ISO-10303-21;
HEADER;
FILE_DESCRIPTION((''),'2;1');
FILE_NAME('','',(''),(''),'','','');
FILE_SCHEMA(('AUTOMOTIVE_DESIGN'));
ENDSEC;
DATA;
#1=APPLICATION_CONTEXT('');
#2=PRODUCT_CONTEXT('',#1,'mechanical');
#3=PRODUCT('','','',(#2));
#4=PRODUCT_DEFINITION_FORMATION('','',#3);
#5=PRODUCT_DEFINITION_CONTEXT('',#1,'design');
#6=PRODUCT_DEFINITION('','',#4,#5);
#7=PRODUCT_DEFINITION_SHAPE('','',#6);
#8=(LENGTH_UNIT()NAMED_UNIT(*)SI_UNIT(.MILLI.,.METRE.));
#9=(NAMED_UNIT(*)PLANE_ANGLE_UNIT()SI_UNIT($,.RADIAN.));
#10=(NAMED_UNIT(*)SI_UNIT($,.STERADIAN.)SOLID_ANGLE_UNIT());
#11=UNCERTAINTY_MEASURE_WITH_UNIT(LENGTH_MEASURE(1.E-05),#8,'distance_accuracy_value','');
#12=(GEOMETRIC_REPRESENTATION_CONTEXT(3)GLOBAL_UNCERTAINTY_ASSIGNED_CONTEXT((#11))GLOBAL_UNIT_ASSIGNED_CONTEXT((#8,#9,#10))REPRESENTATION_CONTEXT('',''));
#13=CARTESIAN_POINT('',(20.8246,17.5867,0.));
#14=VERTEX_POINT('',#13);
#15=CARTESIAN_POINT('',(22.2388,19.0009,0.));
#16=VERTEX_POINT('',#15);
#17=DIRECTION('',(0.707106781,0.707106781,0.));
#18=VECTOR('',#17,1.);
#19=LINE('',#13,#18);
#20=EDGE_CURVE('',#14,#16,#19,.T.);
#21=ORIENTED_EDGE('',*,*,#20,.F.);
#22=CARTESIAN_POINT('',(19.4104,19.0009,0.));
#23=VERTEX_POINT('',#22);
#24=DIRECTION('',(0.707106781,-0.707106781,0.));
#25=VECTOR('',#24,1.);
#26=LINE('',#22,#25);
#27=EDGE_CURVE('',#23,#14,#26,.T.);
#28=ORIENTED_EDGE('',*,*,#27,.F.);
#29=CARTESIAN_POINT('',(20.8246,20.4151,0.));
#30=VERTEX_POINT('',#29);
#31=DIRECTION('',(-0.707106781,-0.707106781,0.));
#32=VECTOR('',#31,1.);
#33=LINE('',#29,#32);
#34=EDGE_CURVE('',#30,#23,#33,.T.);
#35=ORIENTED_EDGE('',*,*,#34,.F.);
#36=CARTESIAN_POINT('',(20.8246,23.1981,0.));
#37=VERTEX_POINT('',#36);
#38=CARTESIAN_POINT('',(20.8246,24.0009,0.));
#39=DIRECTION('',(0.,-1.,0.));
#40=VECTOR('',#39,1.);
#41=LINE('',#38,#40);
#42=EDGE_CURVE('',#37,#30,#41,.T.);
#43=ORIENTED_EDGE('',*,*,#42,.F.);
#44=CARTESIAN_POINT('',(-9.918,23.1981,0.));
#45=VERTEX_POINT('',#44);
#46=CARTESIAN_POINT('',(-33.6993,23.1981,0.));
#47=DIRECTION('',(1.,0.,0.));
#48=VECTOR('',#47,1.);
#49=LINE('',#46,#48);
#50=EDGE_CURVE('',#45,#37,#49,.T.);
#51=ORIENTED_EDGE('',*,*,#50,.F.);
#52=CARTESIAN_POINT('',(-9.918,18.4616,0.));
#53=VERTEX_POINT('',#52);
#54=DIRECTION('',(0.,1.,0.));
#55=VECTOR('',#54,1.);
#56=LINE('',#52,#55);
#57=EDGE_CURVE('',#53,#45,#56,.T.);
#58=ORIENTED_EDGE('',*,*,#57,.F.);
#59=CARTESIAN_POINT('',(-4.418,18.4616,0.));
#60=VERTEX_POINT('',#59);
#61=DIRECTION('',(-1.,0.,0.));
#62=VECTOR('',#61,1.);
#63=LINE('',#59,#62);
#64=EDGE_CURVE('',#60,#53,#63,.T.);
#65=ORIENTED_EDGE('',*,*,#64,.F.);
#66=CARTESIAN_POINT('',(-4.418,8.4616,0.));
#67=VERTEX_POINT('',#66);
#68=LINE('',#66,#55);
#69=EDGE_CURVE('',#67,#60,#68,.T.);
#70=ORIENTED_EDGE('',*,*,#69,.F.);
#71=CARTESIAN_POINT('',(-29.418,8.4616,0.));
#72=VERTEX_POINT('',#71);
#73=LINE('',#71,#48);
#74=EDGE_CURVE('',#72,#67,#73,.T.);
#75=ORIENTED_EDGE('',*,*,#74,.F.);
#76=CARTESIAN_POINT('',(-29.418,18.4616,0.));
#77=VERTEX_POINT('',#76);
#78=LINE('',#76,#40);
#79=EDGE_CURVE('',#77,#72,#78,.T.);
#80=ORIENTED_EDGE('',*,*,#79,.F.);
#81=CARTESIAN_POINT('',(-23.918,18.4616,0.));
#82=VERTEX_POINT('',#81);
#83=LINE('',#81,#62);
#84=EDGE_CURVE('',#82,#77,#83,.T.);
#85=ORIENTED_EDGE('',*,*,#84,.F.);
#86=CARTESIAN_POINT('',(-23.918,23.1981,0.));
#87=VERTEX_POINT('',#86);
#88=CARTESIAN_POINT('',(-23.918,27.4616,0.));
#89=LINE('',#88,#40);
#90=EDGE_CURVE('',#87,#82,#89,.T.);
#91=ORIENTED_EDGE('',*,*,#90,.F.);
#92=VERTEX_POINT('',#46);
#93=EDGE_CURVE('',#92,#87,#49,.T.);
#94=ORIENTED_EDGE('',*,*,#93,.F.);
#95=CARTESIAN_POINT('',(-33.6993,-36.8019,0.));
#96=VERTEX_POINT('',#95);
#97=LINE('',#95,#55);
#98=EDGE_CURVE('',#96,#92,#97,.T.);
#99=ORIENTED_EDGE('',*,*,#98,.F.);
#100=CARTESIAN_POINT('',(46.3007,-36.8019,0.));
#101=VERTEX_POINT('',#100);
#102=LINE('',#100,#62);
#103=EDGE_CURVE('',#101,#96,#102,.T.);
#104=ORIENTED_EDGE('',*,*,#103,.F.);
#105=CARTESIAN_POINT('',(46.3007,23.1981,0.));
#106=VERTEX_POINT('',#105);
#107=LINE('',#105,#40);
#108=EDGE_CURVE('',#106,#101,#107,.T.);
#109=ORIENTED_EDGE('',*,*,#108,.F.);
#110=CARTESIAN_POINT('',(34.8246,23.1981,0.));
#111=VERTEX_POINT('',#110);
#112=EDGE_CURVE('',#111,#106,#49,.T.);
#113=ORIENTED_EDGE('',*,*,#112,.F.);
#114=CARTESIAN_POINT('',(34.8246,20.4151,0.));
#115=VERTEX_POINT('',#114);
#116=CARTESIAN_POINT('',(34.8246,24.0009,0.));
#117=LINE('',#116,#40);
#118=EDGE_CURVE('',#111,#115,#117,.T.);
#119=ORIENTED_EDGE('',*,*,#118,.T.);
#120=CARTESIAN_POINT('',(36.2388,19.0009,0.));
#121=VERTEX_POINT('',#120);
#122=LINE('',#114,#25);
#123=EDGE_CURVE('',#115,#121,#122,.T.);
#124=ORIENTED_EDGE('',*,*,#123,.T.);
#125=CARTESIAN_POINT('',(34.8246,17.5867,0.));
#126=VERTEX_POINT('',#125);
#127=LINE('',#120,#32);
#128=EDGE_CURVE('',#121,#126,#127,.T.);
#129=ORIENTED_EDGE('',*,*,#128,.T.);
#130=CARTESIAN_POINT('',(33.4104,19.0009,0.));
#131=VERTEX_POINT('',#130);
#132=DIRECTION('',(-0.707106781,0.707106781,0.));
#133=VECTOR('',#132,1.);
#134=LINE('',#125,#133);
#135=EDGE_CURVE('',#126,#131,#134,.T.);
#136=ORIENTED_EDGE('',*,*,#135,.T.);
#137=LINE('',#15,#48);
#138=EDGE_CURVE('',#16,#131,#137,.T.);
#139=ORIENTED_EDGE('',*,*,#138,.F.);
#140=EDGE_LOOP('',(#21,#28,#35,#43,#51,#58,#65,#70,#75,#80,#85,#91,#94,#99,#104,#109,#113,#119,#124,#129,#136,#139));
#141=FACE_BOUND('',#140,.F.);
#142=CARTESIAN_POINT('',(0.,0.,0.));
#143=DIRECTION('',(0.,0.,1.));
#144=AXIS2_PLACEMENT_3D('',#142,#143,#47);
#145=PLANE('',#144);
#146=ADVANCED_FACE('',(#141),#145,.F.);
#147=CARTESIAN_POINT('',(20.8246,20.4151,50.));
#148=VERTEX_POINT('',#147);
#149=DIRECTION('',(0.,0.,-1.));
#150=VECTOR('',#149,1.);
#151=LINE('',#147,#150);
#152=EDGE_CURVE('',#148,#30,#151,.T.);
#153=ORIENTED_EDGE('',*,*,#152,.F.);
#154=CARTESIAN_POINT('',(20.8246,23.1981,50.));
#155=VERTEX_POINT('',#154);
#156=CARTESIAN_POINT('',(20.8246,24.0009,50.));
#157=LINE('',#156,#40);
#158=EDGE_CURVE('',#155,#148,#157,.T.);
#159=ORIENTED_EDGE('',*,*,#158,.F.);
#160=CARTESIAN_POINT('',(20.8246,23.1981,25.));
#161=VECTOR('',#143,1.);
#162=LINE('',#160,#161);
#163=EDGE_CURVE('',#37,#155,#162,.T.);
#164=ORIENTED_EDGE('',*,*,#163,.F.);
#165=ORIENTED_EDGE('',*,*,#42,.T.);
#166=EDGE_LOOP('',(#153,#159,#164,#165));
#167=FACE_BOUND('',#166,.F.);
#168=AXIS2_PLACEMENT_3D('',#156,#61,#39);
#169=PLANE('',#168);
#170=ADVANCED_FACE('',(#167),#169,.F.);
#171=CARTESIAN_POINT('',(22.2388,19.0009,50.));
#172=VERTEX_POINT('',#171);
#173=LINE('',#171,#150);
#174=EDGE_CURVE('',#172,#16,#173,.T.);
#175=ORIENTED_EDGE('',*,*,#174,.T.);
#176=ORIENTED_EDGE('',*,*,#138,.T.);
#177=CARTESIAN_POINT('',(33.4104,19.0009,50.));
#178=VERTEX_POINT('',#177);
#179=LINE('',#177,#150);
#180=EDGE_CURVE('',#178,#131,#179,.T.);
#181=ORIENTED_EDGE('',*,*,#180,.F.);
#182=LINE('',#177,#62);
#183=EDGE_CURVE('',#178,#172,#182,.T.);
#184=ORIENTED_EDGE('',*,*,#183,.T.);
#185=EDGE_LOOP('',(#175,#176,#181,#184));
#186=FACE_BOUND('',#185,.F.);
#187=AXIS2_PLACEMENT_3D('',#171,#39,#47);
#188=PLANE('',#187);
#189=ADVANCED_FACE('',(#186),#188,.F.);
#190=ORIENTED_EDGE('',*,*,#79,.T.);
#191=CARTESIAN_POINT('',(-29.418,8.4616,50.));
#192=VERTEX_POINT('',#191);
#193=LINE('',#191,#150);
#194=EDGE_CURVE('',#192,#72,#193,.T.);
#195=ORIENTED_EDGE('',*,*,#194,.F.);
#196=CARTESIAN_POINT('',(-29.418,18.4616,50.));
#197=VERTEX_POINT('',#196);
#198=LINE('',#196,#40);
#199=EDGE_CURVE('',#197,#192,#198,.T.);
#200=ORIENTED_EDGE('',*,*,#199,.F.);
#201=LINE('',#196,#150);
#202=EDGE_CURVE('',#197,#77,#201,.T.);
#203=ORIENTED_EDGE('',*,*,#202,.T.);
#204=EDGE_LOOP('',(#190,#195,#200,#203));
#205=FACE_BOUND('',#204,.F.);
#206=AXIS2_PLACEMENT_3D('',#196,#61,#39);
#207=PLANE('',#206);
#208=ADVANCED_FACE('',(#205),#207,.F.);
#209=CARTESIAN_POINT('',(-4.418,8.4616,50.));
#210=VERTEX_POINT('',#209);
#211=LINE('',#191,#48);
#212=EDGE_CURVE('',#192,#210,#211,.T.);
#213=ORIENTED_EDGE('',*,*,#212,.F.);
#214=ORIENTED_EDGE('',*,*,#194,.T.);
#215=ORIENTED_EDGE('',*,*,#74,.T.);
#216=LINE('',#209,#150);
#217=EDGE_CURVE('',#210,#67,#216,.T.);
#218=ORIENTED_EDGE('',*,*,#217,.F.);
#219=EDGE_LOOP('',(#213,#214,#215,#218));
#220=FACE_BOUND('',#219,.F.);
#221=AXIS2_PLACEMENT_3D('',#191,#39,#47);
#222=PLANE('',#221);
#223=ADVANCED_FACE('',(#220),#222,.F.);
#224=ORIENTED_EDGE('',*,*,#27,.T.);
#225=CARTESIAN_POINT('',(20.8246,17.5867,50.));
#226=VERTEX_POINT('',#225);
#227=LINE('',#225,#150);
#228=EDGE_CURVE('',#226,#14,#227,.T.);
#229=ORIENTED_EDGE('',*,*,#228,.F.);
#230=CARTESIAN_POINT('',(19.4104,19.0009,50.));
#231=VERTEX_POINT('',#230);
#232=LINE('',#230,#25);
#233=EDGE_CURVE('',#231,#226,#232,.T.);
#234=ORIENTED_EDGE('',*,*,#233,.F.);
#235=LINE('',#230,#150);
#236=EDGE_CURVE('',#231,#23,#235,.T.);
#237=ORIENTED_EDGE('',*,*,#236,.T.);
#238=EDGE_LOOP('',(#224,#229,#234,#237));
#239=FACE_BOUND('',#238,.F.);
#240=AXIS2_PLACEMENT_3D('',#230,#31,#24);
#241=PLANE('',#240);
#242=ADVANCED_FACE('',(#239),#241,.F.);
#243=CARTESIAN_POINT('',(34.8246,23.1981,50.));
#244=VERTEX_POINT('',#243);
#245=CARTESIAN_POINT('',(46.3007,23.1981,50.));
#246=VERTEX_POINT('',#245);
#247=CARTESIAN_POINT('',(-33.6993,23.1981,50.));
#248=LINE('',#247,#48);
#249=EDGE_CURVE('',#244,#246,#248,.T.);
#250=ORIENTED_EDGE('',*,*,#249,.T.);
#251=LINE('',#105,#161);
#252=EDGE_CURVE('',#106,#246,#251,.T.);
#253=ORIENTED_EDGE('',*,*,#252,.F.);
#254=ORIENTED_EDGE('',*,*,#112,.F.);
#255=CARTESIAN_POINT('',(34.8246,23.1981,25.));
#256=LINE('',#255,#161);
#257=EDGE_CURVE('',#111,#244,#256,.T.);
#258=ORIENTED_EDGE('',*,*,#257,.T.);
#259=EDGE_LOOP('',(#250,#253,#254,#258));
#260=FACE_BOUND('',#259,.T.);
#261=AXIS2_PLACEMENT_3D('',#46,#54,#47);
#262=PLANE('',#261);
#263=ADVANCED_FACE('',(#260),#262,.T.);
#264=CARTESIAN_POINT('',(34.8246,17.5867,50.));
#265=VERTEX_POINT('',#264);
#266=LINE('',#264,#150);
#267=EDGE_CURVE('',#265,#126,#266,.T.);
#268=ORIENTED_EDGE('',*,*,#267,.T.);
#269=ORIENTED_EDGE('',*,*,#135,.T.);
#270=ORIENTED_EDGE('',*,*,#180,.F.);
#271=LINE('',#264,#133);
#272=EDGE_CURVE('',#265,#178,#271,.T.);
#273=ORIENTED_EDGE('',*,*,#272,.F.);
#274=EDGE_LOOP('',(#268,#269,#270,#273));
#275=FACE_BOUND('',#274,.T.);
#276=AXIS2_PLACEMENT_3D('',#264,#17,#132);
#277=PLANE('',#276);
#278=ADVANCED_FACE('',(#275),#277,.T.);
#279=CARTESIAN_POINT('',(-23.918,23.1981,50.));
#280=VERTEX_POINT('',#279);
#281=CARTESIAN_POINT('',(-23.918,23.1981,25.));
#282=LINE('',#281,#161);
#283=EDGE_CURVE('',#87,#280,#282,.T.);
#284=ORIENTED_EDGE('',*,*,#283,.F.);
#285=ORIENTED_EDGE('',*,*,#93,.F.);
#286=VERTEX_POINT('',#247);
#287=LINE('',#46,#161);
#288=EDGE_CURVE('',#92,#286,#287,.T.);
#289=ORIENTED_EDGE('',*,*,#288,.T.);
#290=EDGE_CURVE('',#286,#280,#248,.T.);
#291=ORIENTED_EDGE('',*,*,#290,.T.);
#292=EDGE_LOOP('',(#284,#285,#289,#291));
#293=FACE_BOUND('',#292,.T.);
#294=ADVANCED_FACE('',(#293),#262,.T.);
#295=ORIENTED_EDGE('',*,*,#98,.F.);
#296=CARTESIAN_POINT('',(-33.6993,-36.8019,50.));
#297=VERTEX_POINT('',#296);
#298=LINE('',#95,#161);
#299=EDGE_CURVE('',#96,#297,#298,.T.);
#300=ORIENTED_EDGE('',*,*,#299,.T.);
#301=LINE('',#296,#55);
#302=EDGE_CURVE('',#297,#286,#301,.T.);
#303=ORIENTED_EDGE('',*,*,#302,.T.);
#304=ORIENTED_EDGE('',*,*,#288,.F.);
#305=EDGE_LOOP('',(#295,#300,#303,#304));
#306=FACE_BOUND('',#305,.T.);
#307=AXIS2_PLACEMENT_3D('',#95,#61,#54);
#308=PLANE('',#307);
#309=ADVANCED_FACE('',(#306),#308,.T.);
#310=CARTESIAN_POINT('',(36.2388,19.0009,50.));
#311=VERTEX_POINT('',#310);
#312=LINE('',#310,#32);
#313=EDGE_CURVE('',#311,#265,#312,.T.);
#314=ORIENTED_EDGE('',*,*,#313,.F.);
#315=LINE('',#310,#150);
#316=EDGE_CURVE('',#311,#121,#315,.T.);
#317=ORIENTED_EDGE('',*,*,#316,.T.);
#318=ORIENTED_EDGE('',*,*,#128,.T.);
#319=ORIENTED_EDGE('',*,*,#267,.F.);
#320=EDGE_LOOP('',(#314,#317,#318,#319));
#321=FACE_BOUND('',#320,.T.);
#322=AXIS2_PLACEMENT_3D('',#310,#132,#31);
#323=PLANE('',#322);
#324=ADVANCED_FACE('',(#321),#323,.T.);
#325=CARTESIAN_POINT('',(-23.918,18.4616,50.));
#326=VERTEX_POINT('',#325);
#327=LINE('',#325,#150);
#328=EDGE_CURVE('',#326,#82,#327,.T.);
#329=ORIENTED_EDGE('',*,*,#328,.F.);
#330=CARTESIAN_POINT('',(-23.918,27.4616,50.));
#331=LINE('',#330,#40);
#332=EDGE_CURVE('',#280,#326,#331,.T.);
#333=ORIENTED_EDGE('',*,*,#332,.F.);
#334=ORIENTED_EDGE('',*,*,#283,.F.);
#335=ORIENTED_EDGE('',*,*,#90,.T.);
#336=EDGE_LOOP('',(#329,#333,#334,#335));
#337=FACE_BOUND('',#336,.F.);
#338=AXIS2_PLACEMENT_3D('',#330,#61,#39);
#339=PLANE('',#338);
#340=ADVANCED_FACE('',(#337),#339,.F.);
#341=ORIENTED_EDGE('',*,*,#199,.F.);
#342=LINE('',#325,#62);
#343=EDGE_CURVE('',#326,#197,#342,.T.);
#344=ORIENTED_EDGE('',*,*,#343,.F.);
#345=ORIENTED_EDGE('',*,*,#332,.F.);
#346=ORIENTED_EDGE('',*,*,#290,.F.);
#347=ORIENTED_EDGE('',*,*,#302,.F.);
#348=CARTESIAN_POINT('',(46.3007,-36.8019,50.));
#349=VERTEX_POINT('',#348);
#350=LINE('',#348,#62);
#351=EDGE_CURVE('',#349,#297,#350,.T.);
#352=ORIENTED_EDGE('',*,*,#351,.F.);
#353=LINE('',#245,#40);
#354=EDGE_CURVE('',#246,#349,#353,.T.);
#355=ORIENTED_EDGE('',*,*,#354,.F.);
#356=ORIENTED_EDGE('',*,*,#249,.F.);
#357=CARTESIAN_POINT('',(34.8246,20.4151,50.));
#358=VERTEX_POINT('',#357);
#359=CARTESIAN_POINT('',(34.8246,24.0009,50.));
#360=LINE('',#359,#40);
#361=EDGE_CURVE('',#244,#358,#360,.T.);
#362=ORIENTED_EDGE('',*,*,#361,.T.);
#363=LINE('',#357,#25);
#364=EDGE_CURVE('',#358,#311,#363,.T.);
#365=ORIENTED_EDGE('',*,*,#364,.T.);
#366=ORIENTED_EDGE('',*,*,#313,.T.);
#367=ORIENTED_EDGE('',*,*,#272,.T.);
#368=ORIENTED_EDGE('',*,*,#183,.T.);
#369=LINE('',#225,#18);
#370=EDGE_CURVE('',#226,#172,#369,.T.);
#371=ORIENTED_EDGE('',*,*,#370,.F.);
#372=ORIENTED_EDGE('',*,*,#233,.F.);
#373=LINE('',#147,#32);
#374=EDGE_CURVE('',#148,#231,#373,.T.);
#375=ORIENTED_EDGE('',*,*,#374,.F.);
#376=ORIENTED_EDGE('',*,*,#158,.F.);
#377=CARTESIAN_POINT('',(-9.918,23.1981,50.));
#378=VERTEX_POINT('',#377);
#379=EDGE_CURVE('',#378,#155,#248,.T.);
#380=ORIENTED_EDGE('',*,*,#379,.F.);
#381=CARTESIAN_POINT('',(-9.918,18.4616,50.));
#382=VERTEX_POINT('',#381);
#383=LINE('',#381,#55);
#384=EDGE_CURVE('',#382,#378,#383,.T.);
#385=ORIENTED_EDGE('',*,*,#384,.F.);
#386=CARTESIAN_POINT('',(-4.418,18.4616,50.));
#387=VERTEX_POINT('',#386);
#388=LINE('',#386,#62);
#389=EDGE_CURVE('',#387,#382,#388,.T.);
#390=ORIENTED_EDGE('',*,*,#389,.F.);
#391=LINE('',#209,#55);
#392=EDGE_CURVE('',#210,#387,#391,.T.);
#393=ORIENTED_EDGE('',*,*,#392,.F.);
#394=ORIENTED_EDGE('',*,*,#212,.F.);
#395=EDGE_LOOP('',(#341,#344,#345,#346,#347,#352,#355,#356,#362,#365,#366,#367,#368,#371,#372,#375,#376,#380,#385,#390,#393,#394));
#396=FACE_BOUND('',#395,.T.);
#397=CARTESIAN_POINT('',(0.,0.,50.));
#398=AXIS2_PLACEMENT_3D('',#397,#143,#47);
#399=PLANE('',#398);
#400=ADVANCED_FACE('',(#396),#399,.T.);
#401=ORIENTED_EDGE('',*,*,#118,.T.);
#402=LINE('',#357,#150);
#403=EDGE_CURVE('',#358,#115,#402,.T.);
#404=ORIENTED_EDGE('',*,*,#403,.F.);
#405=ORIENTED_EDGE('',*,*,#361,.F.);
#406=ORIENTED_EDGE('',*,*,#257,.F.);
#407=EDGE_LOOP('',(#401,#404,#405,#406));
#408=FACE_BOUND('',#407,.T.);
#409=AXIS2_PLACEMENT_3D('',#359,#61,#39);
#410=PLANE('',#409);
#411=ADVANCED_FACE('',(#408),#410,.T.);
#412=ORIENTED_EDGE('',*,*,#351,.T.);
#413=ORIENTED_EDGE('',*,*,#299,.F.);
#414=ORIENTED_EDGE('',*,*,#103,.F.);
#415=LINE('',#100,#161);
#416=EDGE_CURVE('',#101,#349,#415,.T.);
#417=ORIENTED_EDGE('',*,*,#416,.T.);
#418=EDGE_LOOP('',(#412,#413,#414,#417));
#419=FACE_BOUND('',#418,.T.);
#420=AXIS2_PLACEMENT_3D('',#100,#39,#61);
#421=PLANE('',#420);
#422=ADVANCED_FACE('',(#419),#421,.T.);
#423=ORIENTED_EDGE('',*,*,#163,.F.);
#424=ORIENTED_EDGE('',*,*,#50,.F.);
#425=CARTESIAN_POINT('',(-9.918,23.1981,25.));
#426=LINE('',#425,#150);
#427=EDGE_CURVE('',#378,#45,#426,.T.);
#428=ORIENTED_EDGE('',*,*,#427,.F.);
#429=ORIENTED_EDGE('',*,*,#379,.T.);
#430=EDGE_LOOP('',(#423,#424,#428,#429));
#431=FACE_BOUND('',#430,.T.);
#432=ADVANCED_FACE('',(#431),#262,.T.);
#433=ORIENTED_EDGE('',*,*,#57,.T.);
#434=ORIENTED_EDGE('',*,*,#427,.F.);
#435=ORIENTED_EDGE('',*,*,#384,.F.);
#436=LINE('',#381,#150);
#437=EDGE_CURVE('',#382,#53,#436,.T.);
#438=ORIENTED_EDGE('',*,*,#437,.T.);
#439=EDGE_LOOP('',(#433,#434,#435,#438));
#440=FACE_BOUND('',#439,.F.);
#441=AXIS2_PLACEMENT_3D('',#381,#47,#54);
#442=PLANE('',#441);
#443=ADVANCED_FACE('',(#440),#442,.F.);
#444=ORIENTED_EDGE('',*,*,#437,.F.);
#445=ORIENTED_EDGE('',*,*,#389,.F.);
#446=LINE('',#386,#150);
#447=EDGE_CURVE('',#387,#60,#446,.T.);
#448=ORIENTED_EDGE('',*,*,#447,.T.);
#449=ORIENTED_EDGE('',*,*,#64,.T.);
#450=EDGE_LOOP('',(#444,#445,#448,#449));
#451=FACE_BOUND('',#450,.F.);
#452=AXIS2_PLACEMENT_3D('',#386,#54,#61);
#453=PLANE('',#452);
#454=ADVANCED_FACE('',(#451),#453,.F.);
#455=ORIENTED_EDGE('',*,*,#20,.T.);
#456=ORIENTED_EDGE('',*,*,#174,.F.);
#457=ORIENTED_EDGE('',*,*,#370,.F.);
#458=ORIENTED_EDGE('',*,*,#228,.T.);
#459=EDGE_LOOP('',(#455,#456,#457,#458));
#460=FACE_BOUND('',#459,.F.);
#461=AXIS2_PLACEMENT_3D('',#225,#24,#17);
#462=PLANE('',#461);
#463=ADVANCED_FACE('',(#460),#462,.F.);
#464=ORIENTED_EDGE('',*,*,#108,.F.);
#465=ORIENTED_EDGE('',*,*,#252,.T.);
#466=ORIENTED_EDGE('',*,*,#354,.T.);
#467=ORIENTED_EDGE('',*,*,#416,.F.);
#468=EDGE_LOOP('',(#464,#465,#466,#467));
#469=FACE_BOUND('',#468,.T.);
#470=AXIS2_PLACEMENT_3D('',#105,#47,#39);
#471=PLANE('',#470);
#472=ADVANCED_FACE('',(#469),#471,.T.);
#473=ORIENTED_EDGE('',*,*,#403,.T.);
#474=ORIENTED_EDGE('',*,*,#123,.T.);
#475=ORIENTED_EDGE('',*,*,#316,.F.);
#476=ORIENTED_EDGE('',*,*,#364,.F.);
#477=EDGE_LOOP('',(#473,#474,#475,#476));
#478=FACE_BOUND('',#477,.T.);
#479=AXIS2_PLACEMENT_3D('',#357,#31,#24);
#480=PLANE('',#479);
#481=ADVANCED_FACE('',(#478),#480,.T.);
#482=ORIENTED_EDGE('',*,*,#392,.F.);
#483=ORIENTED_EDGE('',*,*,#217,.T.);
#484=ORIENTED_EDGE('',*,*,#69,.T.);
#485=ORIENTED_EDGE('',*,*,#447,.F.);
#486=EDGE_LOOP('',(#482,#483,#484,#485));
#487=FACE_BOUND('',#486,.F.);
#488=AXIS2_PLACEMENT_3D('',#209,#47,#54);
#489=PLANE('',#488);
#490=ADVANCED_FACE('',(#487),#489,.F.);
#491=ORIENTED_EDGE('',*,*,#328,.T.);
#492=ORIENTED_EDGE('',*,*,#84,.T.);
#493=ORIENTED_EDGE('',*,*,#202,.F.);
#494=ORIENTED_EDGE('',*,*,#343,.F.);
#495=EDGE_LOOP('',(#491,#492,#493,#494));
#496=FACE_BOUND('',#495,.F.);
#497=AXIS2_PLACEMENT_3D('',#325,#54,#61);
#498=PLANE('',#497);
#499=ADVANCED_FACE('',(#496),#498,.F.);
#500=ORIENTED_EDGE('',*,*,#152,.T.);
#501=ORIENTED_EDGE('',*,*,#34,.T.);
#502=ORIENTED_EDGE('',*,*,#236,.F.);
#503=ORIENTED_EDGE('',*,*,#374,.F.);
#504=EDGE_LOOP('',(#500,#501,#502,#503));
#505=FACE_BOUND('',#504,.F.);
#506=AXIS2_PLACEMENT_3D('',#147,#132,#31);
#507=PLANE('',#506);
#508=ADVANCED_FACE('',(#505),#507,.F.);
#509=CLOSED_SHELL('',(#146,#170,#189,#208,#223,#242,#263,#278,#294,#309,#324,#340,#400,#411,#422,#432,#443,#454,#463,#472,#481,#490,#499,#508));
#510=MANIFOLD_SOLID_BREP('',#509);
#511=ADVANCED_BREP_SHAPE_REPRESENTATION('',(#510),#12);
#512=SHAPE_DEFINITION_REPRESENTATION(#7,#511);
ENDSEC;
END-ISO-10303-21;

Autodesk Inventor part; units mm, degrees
ref_plane "YZ Plane" through (0, 0, 0) normal (1, 0, 0) x (0, 1, 0)
ref_plane "XZ Plane" through (0, 0, 0) normal (0, 1, 0) x (-1, 0, 0)
ref_plane "XY Plane" through (0, 0, 0) normal (0, 0, 1) x (1, 0, 0)
sketch "Sketch1" plane through (0, 0, 0) normal (0, 0, 1) x (1, 0, 0)
  line L0 (-33.6993, 23.1981) -> (46.3007, 23.1981)
  line L1 (46.3007, 23.1981) -> (46.3007, -36.8019)
  line L2 (46.3007, -36.8019) -> (-33.6993, -36.8019)
  line L3 (-33.6993, -36.8019) -> (-33.6993, 23.1981)
  point P0 (0, 0)
  dimension "d0" = 80
  dimension "d1" = 60
extrude "Extrusion1" add sketch "Sketch1" along normal blind 50
sketch "Sketch2" plane through (0, 0, 50) normal (0, 0, 1) x (1, 0, 0)
  line L0 (-23.918, 27.4616) -> (-23.918, 18.4616)
  line L1 (-23.918, 18.4616) -> (-29.418, 18.4616)
  line L2 (-29.418, 18.4616) -> (-29.418, 8.4616)
  line L3 (-29.418, 8.4616) -> (-4.418, 8.4616)
  line L4 (-4.418, 8.4616) -> (-4.418, 18.4616)
  line L5 (-4.418, 18.4616) -> (-9.918, 18.4616)
  line L6 (-9.918, 18.4616) -> (-9.918, 27.4616)
  line L7 (-9.918, 27.4616) -> (-23.918, 27.4616)
  point P0 (0, 0)
  point P1 (-16.918, 27.4616)
  dimension "d4" = 14
  dimension "d5" = 10
  dimension "d6" = 25
  dimension "d7" = 9
  dimension "d8" = 7
  dimension "d9" = 12.5
extrude "Extrusion2" cut sketch "Sketch2" against normal blind 50
sketch "Sketch3" plane through (0, 0, 50) normal (0, 0, 1) x (1, 0, 0)
  line L0 (27.8246, 24.0009) -> (34.8246, 24.0009)
  line L1 (34.8246, 24.0009) -> (34.8246, 20.4151)
  line L2 (34.8246, 20.4151) -> (36.2388, 19.0009)
  line L3 (36.2388, 19.0009) -> (34.8246, 17.5867)
  line L4 (34.8246, 17.5867) -> (33.4104, 19.0009)
  line L5 (33.4104, 19.0009) -> (27.8246, 19.0009)
  line L6 (27.8246, 24.0009) -> (27.8246, 19.0009) construction
  line L7 (27.8246, 24.0009) -> (20.8246, 24.0009)
  line L8 (20.8246, 24.0009) -> (20.8246, 20.4151)
  line L9 (20.8246, 20.4151) -> (19.4104, 19.0009)
  line L10 (19.4104, 19.0009) -> (20.8246, 17.5867)
  line L11 (20.8246, 17.5867) -> (22.2388, 19.0009)
  line L12 (22.2388, 19.0009) -> (27.8246, 19.0009)
  point P0 (0, 0)
  dimension "d12" = 2
  dimension "d13" = 7
  dimension "d14" = 5
  dimension "d15" = 135
  dimension "d16" = 2
extrude "Extrusion3" cut sketch "Sketch3" against normal blind 50
